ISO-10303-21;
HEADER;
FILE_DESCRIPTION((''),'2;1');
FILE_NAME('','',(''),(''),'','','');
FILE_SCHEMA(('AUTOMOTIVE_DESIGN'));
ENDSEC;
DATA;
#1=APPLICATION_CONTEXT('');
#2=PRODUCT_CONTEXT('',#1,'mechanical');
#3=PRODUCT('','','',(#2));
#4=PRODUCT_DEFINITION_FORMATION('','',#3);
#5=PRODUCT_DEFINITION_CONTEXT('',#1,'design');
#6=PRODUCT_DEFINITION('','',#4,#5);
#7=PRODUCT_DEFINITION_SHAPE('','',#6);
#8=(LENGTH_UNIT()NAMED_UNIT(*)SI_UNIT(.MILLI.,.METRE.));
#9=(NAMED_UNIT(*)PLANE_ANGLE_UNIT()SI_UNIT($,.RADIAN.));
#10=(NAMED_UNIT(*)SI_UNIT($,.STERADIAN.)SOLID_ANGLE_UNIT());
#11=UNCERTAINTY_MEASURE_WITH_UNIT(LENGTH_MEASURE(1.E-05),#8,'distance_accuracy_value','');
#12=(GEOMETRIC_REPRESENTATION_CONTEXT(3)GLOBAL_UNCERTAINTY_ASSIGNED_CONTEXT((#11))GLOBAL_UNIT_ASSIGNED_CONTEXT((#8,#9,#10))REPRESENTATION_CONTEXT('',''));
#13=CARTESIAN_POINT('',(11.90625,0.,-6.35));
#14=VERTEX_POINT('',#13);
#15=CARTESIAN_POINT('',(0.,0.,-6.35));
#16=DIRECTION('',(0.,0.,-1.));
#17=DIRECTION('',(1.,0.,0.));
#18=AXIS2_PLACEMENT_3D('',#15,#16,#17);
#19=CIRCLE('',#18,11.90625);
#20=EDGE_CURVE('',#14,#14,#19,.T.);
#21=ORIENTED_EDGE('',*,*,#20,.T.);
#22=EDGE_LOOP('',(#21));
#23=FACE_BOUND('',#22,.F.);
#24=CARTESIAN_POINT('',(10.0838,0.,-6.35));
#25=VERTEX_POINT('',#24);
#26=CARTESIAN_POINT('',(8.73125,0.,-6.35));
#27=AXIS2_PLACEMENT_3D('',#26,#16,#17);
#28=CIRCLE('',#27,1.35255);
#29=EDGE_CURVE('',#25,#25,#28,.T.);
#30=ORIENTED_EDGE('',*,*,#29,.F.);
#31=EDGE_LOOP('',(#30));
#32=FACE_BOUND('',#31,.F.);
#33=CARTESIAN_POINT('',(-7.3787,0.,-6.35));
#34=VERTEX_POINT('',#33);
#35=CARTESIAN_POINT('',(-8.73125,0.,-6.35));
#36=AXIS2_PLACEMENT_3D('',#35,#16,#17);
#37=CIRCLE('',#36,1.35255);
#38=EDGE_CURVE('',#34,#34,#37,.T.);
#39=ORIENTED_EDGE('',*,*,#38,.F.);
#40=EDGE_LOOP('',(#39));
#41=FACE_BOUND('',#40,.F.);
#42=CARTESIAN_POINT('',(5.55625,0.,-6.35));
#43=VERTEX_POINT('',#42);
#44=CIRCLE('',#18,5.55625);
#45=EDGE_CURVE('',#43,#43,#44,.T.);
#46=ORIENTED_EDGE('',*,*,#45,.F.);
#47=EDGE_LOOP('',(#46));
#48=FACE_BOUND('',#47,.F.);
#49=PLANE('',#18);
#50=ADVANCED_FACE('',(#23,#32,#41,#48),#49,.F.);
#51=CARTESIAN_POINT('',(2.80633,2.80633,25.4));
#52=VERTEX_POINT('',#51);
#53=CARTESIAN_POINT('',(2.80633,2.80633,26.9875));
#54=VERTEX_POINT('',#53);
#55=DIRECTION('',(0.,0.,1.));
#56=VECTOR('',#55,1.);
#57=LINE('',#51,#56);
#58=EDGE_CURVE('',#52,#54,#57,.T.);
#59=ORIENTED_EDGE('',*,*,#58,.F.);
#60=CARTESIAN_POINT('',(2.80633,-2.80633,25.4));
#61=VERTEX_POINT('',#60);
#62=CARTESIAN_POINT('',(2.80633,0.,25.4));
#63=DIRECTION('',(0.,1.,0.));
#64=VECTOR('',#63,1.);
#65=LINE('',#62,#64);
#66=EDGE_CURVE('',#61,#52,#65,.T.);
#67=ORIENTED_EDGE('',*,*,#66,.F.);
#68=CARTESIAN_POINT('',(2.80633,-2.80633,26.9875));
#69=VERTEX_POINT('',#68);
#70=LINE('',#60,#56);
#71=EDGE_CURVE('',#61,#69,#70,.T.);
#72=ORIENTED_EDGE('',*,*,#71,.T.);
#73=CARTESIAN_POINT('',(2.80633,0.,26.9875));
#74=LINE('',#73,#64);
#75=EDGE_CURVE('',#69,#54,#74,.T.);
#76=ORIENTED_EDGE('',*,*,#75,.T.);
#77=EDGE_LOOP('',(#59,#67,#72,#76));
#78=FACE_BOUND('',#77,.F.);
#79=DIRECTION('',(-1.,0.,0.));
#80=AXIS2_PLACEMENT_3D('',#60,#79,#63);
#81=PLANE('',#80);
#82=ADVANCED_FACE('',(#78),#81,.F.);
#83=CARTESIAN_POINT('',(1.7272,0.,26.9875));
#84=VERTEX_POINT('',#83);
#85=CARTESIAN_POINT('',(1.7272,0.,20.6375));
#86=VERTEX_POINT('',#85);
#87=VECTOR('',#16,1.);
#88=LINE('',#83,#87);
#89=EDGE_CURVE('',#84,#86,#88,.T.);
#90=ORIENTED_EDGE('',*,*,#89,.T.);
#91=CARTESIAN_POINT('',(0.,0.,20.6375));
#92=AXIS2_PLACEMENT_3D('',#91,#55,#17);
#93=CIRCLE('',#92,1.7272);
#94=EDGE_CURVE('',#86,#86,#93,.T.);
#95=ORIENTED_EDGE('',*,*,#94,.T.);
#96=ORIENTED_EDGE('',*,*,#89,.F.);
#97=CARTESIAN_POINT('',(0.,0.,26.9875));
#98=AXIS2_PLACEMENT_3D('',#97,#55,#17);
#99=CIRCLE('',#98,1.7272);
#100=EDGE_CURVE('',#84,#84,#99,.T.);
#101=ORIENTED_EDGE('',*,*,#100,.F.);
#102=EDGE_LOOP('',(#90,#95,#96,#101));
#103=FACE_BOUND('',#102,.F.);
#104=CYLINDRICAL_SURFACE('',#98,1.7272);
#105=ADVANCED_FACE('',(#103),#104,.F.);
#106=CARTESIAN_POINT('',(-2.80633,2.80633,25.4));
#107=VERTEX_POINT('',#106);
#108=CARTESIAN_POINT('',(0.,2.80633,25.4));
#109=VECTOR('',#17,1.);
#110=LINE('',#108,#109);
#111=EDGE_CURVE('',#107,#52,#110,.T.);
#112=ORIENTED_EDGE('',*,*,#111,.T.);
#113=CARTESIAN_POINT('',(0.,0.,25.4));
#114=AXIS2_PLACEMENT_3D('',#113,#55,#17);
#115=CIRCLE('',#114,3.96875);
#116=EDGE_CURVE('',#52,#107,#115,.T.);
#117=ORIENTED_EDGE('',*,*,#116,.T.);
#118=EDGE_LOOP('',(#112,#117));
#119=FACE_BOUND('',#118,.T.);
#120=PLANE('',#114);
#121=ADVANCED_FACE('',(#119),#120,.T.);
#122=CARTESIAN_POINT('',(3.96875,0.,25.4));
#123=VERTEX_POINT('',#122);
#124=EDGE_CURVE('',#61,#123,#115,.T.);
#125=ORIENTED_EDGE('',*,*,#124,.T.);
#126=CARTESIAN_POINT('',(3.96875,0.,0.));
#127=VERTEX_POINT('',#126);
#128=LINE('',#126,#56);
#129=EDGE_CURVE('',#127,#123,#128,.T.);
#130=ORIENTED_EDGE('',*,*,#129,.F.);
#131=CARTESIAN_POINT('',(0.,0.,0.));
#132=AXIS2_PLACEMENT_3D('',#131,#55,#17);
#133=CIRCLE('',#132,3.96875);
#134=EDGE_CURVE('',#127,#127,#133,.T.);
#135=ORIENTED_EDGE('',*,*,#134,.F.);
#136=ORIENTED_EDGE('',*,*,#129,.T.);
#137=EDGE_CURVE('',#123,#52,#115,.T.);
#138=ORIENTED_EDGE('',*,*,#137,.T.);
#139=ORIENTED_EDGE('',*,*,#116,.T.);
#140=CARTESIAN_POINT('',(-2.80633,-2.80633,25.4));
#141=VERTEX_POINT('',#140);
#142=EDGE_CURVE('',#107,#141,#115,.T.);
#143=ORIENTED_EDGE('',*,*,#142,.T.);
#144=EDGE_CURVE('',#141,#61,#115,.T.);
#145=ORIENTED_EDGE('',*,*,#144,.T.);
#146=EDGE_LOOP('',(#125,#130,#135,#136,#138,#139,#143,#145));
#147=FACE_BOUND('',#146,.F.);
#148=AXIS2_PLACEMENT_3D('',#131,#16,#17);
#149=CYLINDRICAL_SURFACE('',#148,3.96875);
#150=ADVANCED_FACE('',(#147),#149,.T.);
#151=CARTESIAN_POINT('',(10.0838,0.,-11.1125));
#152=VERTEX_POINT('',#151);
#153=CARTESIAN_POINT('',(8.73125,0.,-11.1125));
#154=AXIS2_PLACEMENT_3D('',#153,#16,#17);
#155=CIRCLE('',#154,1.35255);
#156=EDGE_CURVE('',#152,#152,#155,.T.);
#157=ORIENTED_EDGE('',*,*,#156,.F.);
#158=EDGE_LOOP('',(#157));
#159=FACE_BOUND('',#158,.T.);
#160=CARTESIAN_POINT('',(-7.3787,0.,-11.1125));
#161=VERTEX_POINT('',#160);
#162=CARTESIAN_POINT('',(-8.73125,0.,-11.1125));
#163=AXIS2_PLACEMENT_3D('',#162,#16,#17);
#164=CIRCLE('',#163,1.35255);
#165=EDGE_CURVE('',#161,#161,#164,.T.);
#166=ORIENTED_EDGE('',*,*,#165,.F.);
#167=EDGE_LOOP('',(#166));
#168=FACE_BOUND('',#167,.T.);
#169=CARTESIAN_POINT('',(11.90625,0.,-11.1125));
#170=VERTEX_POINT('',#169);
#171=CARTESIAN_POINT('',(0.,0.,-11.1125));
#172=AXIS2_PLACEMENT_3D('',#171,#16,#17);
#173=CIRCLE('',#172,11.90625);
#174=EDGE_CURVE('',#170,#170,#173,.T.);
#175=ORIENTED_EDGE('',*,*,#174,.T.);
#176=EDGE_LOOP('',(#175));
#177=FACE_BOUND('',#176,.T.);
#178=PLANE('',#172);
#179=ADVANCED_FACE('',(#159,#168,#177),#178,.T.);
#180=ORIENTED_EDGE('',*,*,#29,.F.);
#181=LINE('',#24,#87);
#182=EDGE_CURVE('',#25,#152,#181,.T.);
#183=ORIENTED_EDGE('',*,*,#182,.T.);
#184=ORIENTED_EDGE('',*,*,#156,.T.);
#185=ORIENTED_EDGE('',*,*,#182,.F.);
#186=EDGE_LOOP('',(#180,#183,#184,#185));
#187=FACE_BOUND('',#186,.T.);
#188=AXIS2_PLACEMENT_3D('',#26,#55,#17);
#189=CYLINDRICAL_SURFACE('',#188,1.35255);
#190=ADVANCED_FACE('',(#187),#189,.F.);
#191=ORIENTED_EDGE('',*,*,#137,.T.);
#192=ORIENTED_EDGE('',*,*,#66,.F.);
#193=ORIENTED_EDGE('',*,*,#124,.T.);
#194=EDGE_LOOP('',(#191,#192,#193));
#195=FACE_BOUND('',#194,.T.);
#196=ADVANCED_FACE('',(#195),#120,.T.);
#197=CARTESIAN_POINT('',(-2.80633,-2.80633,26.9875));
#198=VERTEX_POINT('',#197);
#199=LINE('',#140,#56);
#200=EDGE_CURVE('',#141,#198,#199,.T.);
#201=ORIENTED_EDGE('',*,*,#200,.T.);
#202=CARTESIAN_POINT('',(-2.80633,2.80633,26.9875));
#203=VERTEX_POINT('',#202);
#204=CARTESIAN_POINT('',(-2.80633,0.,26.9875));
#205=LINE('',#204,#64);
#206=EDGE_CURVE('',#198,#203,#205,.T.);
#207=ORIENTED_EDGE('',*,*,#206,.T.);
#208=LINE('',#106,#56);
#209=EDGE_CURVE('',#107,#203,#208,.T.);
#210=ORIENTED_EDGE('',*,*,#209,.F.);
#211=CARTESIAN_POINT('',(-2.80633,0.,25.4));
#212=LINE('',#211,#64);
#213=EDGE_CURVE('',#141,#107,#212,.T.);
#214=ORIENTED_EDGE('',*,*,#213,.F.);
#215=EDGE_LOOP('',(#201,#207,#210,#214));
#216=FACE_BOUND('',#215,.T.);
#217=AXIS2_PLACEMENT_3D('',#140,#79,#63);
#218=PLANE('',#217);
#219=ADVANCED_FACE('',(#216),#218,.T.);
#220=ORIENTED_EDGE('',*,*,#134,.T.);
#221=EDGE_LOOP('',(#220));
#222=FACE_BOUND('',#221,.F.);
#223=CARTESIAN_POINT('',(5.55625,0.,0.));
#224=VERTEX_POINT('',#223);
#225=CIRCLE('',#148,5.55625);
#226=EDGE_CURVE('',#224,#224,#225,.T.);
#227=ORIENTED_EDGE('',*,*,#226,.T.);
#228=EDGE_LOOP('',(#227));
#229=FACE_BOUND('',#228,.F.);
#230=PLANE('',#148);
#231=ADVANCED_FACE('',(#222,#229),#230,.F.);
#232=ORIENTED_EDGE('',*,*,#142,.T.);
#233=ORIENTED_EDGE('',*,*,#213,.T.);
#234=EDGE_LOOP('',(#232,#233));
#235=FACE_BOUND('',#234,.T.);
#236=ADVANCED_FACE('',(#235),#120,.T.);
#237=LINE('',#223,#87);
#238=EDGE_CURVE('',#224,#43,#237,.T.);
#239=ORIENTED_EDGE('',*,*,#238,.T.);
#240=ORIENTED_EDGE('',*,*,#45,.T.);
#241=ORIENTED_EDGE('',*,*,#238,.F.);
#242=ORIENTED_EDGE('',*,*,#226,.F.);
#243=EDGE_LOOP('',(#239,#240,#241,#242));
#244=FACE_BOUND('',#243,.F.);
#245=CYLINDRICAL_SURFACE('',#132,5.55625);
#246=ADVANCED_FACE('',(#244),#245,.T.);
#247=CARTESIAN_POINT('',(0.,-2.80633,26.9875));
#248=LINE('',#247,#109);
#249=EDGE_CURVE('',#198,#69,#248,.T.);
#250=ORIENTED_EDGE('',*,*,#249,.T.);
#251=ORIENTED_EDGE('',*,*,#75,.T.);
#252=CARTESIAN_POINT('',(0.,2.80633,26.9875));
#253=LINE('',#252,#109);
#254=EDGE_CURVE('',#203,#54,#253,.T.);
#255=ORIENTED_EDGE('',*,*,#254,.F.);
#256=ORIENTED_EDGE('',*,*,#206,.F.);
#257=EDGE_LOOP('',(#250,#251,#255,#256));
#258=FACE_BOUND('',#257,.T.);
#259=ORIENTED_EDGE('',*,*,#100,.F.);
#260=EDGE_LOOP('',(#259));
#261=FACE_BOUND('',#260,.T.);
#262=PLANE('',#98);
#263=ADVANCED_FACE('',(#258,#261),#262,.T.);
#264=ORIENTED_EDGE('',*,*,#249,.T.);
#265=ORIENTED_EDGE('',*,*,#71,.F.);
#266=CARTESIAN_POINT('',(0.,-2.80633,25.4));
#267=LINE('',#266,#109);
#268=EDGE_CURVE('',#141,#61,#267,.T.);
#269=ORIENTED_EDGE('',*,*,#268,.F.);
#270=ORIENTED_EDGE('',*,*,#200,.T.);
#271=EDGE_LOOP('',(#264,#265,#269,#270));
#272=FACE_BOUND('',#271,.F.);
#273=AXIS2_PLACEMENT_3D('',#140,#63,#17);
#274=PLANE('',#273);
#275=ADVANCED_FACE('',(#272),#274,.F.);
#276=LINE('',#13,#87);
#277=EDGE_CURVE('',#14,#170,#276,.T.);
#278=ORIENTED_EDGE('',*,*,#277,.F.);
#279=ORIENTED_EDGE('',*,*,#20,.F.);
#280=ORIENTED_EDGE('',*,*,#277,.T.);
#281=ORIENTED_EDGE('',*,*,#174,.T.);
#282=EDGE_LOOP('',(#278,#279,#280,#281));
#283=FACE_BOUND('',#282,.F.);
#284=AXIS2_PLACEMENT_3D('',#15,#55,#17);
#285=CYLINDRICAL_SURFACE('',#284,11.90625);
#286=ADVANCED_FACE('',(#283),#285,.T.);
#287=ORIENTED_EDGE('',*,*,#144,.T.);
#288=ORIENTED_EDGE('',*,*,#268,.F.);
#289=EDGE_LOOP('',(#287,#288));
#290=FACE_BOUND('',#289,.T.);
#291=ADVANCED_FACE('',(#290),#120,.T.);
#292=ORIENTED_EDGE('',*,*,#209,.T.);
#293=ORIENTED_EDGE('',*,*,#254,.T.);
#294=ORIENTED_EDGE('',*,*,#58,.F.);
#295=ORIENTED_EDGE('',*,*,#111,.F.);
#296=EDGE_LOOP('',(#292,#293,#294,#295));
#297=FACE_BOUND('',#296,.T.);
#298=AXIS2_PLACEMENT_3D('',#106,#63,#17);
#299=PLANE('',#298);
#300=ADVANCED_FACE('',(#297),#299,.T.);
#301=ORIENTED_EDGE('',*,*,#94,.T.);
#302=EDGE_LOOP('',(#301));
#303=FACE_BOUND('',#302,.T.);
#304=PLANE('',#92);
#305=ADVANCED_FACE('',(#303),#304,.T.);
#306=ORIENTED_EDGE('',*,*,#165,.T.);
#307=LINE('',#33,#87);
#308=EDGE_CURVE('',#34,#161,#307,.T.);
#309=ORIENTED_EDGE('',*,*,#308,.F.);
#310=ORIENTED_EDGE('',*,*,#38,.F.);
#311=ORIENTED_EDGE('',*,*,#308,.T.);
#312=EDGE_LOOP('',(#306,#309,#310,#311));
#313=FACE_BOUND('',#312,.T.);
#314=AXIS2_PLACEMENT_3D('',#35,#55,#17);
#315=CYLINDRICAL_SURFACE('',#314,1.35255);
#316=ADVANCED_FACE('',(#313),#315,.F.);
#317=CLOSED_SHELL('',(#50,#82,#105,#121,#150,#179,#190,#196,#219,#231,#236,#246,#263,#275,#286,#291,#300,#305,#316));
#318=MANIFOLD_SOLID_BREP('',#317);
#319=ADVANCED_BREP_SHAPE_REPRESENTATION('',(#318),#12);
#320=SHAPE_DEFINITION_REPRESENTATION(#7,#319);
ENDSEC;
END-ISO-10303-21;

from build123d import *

# Parameters (mm, degrees)
F0_R     = 3.96875
F1_DEPTH = 25.4
F2_W     = 5.61266
F2_H     = 5.61266
F3_DEPTH = 1.5875
F4_R     = 1.7272
F5_DEPTH = 6.35
F6_R     = 5.55625
F7_DEPTH = 6.35
F8_R     = 11.90625
F8_R_2   = 1.35255
F9_DEPTH = 4.7625


with BuildPart() as f1:
    # F0 (on Top) → F1 (new body)
    with BuildSketch(Plane.XY):
        Circle(F0_R)
    extrude(amount=F1_DEPTH)

    # F2 (on face) → F3 (join)
    with BuildSketch(Plane.XY.offset(25.4)):
        Rectangle(F2_W, F2_H)
    extrude(amount=F3_DEPTH)

    # F4 (on face) → F5 (cut)
    with BuildSketch(Plane.XY.offset(26.9875)):
        Circle(F4_R)
    extrude(amount=-F5_DEPTH, mode=Mode.SUBTRACT)

    # F6 (on face) → F7 (join)
    with BuildSketch(Plane(origin=(0, 0, 0), x_dir=(1, 0, 0), z_dir=(0, 0, -1))):
        Circle(F6_R)
    extrude(amount=F7_DEPTH)

    # F8 (on face) → F9 (join)
    with BuildSketch(Plane(origin=(0, 0, -6.35), x_dir=(1, 0, 0), z_dir=(0, 0, -1))):
        Circle(F8_R)
        with Locations((-8.73125, 0)):
            Circle(F8_R_2, mode=Mode.SUBTRACT)
        with Locations((8.73125, 0)):
            Circle(F8_R_2, mode=Mode.SUBTRACT)
    extrude(amount=F9_DEPTH)


solid = f1.part
